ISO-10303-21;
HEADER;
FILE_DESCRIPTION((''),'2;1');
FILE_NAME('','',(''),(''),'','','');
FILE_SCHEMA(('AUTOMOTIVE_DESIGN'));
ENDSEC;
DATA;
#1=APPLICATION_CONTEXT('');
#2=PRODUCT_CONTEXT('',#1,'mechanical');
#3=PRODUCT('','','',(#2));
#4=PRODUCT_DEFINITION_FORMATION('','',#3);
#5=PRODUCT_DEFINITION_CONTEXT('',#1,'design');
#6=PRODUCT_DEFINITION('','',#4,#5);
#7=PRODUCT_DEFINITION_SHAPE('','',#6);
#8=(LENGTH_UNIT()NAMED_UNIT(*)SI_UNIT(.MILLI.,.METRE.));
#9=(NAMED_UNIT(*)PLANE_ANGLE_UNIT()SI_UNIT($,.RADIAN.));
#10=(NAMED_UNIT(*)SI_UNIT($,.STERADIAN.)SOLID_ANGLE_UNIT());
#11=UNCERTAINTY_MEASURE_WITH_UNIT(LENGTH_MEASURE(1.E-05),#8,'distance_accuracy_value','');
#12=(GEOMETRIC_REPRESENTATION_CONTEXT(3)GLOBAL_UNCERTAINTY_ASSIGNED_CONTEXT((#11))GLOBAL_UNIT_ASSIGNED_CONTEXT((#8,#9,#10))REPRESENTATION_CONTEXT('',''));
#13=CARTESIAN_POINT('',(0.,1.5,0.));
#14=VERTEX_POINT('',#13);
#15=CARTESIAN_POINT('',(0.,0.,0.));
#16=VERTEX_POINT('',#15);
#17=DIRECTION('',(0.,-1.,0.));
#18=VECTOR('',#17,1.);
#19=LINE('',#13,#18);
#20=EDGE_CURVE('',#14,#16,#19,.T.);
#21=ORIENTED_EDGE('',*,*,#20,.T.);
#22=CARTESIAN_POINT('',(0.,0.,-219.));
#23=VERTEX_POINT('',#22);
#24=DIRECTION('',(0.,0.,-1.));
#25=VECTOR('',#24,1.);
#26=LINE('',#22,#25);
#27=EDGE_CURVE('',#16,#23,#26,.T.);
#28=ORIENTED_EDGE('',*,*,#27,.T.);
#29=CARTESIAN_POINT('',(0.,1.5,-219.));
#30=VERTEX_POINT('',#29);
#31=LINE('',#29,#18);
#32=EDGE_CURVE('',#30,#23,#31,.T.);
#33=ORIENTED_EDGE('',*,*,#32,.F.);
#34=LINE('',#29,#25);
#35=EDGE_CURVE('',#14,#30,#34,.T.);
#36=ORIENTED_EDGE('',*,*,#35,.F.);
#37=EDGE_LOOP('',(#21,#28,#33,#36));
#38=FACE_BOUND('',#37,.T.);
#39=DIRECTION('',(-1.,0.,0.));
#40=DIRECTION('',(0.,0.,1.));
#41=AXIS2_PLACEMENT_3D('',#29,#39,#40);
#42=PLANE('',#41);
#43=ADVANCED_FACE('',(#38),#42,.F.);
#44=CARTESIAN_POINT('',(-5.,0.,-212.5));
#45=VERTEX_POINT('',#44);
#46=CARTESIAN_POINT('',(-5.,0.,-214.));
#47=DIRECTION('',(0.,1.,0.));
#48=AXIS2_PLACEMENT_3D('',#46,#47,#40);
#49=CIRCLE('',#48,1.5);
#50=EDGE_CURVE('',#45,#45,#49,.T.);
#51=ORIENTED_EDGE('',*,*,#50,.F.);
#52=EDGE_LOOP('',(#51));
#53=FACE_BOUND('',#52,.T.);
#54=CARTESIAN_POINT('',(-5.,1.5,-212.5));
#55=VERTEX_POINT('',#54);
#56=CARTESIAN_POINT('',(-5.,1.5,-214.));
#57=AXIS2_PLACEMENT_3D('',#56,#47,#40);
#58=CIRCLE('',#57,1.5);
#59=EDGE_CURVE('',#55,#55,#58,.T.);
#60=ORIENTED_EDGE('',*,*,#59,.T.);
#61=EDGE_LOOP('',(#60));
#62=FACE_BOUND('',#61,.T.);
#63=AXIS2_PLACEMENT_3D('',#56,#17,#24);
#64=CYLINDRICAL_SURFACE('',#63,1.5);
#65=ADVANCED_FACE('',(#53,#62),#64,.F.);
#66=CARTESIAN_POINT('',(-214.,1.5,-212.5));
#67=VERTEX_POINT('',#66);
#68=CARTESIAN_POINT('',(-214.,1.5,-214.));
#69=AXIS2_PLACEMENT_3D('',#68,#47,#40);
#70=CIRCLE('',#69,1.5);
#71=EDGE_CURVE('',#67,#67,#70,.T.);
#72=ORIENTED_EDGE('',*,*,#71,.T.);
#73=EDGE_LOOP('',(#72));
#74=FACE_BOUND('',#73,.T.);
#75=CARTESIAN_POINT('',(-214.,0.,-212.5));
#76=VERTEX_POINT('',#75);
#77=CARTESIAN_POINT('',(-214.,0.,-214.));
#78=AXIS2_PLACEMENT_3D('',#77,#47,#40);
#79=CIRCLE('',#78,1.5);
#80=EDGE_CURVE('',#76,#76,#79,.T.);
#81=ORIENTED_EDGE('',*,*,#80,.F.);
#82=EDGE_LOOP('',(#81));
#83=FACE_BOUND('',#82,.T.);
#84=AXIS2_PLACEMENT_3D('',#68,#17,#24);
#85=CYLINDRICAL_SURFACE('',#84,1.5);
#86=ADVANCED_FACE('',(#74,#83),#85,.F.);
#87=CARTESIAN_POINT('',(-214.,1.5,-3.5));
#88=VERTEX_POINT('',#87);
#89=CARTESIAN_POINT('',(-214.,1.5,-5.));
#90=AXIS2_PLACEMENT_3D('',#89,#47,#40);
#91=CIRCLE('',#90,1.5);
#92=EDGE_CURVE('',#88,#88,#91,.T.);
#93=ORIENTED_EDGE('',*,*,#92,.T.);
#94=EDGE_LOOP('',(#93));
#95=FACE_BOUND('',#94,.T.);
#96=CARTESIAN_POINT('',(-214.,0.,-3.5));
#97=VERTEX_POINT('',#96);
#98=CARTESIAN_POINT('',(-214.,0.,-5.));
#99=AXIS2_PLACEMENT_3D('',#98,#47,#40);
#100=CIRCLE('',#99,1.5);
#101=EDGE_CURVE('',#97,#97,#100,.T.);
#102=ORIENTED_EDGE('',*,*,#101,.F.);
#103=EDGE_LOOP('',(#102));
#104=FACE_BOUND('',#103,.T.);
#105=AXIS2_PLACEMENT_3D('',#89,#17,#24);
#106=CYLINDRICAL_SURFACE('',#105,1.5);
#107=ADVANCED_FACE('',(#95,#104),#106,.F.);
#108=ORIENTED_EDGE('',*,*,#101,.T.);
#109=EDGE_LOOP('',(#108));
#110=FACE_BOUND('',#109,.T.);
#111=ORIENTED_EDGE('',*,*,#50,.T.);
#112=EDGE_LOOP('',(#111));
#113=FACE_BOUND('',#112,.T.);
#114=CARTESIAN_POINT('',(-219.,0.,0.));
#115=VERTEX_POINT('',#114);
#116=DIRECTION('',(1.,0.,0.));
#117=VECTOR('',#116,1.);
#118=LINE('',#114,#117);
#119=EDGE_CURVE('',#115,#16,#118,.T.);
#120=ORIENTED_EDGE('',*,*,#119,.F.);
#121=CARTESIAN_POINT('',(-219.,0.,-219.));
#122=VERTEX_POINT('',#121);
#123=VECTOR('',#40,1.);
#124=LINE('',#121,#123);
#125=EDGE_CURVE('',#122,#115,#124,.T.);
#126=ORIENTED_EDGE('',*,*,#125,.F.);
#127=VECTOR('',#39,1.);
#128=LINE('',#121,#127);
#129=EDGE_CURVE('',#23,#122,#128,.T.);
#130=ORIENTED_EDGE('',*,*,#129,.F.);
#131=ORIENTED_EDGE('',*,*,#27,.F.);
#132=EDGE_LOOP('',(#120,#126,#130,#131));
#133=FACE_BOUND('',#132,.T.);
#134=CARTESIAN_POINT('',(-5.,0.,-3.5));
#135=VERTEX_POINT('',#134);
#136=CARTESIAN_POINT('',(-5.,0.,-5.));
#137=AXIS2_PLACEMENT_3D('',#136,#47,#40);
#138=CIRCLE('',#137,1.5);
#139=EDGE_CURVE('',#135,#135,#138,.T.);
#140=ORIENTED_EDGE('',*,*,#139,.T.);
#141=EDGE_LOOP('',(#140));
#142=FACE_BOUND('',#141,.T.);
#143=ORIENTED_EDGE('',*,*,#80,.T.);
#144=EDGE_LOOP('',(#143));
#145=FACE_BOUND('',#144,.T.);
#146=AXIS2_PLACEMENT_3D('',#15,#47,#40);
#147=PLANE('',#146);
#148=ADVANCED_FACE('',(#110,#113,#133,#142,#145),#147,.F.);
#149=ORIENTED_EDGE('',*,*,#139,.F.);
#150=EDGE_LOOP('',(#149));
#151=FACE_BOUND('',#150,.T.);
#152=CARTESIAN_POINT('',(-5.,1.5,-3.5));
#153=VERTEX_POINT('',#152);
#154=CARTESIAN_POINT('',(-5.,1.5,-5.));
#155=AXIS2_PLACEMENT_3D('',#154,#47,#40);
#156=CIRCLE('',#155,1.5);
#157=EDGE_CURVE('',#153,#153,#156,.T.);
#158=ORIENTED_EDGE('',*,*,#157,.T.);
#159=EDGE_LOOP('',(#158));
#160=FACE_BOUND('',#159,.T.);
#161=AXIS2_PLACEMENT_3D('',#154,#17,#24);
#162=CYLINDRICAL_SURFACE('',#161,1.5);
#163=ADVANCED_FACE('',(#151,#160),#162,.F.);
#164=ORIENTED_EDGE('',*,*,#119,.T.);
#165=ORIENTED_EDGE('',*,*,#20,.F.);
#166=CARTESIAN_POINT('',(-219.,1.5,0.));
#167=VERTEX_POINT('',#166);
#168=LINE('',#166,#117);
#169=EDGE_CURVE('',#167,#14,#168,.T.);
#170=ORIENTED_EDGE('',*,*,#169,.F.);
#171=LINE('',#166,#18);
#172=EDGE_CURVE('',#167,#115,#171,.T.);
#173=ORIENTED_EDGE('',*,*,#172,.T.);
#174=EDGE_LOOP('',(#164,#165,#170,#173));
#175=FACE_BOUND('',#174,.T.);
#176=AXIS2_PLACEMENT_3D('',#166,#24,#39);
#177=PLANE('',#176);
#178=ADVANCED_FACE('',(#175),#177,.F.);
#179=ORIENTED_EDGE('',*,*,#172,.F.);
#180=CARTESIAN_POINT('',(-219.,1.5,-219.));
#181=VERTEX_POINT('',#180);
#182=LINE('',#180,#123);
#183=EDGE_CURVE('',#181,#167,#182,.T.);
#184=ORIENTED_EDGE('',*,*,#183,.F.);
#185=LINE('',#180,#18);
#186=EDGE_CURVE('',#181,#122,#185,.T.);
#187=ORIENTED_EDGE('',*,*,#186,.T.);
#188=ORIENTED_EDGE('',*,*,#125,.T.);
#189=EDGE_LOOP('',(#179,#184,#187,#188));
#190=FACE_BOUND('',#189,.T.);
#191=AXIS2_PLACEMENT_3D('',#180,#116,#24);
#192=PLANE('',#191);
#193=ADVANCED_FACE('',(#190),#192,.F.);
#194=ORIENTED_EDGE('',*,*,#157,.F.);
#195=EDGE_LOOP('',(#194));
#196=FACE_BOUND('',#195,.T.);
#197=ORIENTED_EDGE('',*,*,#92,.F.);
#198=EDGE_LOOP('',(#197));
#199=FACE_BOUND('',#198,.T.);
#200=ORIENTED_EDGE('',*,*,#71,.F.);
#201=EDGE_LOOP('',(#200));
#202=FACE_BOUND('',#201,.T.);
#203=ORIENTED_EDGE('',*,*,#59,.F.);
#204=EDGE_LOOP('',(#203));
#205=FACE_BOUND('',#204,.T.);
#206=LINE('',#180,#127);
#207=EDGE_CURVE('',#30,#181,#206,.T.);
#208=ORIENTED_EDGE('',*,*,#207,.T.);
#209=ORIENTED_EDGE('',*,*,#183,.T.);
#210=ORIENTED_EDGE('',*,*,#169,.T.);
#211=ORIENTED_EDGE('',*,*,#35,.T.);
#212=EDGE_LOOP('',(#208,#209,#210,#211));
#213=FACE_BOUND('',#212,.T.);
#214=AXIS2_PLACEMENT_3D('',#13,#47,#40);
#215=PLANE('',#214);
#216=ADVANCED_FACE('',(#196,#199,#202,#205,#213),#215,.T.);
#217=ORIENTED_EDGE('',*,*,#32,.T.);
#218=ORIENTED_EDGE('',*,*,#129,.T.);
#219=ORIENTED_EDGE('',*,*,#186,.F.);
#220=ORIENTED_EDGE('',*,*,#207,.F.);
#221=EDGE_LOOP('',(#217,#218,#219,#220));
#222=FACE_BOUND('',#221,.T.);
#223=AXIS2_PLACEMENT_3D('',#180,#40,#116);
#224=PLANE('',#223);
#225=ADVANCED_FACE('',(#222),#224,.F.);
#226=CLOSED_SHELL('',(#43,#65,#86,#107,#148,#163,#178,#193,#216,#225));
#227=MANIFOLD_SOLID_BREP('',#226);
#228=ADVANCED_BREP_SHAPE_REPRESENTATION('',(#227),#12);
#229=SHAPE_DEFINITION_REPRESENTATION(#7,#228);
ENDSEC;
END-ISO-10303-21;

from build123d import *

# Parameters (mm, degrees)
SKETCH1_W           = 219
SKETCH1_H           = 219
SKETCH1_R           = 1.5
BOSS_EXTRUDE1_DEPTH = 1.5


with BuildPart() as part:
    # Sketch1 → Boss-Extrude1 (new body)
    with BuildSketch(Plane(origin=(0, 0, 0), x_dir=(1, 0, 0), z_dir=(0, 1, 0))):
        with Locations((-109.5, 109.5)):
            Rectangle(SKETCH1_W, SKETCH1_H)
        with Locations((-214, 214)):
            Circle(SKETCH1_R, mode=Mode.SUBTRACT)
        with Locations((-214, 5)):
            Circle(SKETCH1_R, mode=Mode.SUBTRACT)
        with Locations((-5, 5)):
            Circle(SKETCH1_R, mode=Mode.SUBTRACT)
        with Locations((-5, 214)):
            Circle(SKETCH1_R, mode=Mode.SUBTRACT)
    extrude(amount=BOSS_EXTRUDE1_DEPTH)


solid = part.part
